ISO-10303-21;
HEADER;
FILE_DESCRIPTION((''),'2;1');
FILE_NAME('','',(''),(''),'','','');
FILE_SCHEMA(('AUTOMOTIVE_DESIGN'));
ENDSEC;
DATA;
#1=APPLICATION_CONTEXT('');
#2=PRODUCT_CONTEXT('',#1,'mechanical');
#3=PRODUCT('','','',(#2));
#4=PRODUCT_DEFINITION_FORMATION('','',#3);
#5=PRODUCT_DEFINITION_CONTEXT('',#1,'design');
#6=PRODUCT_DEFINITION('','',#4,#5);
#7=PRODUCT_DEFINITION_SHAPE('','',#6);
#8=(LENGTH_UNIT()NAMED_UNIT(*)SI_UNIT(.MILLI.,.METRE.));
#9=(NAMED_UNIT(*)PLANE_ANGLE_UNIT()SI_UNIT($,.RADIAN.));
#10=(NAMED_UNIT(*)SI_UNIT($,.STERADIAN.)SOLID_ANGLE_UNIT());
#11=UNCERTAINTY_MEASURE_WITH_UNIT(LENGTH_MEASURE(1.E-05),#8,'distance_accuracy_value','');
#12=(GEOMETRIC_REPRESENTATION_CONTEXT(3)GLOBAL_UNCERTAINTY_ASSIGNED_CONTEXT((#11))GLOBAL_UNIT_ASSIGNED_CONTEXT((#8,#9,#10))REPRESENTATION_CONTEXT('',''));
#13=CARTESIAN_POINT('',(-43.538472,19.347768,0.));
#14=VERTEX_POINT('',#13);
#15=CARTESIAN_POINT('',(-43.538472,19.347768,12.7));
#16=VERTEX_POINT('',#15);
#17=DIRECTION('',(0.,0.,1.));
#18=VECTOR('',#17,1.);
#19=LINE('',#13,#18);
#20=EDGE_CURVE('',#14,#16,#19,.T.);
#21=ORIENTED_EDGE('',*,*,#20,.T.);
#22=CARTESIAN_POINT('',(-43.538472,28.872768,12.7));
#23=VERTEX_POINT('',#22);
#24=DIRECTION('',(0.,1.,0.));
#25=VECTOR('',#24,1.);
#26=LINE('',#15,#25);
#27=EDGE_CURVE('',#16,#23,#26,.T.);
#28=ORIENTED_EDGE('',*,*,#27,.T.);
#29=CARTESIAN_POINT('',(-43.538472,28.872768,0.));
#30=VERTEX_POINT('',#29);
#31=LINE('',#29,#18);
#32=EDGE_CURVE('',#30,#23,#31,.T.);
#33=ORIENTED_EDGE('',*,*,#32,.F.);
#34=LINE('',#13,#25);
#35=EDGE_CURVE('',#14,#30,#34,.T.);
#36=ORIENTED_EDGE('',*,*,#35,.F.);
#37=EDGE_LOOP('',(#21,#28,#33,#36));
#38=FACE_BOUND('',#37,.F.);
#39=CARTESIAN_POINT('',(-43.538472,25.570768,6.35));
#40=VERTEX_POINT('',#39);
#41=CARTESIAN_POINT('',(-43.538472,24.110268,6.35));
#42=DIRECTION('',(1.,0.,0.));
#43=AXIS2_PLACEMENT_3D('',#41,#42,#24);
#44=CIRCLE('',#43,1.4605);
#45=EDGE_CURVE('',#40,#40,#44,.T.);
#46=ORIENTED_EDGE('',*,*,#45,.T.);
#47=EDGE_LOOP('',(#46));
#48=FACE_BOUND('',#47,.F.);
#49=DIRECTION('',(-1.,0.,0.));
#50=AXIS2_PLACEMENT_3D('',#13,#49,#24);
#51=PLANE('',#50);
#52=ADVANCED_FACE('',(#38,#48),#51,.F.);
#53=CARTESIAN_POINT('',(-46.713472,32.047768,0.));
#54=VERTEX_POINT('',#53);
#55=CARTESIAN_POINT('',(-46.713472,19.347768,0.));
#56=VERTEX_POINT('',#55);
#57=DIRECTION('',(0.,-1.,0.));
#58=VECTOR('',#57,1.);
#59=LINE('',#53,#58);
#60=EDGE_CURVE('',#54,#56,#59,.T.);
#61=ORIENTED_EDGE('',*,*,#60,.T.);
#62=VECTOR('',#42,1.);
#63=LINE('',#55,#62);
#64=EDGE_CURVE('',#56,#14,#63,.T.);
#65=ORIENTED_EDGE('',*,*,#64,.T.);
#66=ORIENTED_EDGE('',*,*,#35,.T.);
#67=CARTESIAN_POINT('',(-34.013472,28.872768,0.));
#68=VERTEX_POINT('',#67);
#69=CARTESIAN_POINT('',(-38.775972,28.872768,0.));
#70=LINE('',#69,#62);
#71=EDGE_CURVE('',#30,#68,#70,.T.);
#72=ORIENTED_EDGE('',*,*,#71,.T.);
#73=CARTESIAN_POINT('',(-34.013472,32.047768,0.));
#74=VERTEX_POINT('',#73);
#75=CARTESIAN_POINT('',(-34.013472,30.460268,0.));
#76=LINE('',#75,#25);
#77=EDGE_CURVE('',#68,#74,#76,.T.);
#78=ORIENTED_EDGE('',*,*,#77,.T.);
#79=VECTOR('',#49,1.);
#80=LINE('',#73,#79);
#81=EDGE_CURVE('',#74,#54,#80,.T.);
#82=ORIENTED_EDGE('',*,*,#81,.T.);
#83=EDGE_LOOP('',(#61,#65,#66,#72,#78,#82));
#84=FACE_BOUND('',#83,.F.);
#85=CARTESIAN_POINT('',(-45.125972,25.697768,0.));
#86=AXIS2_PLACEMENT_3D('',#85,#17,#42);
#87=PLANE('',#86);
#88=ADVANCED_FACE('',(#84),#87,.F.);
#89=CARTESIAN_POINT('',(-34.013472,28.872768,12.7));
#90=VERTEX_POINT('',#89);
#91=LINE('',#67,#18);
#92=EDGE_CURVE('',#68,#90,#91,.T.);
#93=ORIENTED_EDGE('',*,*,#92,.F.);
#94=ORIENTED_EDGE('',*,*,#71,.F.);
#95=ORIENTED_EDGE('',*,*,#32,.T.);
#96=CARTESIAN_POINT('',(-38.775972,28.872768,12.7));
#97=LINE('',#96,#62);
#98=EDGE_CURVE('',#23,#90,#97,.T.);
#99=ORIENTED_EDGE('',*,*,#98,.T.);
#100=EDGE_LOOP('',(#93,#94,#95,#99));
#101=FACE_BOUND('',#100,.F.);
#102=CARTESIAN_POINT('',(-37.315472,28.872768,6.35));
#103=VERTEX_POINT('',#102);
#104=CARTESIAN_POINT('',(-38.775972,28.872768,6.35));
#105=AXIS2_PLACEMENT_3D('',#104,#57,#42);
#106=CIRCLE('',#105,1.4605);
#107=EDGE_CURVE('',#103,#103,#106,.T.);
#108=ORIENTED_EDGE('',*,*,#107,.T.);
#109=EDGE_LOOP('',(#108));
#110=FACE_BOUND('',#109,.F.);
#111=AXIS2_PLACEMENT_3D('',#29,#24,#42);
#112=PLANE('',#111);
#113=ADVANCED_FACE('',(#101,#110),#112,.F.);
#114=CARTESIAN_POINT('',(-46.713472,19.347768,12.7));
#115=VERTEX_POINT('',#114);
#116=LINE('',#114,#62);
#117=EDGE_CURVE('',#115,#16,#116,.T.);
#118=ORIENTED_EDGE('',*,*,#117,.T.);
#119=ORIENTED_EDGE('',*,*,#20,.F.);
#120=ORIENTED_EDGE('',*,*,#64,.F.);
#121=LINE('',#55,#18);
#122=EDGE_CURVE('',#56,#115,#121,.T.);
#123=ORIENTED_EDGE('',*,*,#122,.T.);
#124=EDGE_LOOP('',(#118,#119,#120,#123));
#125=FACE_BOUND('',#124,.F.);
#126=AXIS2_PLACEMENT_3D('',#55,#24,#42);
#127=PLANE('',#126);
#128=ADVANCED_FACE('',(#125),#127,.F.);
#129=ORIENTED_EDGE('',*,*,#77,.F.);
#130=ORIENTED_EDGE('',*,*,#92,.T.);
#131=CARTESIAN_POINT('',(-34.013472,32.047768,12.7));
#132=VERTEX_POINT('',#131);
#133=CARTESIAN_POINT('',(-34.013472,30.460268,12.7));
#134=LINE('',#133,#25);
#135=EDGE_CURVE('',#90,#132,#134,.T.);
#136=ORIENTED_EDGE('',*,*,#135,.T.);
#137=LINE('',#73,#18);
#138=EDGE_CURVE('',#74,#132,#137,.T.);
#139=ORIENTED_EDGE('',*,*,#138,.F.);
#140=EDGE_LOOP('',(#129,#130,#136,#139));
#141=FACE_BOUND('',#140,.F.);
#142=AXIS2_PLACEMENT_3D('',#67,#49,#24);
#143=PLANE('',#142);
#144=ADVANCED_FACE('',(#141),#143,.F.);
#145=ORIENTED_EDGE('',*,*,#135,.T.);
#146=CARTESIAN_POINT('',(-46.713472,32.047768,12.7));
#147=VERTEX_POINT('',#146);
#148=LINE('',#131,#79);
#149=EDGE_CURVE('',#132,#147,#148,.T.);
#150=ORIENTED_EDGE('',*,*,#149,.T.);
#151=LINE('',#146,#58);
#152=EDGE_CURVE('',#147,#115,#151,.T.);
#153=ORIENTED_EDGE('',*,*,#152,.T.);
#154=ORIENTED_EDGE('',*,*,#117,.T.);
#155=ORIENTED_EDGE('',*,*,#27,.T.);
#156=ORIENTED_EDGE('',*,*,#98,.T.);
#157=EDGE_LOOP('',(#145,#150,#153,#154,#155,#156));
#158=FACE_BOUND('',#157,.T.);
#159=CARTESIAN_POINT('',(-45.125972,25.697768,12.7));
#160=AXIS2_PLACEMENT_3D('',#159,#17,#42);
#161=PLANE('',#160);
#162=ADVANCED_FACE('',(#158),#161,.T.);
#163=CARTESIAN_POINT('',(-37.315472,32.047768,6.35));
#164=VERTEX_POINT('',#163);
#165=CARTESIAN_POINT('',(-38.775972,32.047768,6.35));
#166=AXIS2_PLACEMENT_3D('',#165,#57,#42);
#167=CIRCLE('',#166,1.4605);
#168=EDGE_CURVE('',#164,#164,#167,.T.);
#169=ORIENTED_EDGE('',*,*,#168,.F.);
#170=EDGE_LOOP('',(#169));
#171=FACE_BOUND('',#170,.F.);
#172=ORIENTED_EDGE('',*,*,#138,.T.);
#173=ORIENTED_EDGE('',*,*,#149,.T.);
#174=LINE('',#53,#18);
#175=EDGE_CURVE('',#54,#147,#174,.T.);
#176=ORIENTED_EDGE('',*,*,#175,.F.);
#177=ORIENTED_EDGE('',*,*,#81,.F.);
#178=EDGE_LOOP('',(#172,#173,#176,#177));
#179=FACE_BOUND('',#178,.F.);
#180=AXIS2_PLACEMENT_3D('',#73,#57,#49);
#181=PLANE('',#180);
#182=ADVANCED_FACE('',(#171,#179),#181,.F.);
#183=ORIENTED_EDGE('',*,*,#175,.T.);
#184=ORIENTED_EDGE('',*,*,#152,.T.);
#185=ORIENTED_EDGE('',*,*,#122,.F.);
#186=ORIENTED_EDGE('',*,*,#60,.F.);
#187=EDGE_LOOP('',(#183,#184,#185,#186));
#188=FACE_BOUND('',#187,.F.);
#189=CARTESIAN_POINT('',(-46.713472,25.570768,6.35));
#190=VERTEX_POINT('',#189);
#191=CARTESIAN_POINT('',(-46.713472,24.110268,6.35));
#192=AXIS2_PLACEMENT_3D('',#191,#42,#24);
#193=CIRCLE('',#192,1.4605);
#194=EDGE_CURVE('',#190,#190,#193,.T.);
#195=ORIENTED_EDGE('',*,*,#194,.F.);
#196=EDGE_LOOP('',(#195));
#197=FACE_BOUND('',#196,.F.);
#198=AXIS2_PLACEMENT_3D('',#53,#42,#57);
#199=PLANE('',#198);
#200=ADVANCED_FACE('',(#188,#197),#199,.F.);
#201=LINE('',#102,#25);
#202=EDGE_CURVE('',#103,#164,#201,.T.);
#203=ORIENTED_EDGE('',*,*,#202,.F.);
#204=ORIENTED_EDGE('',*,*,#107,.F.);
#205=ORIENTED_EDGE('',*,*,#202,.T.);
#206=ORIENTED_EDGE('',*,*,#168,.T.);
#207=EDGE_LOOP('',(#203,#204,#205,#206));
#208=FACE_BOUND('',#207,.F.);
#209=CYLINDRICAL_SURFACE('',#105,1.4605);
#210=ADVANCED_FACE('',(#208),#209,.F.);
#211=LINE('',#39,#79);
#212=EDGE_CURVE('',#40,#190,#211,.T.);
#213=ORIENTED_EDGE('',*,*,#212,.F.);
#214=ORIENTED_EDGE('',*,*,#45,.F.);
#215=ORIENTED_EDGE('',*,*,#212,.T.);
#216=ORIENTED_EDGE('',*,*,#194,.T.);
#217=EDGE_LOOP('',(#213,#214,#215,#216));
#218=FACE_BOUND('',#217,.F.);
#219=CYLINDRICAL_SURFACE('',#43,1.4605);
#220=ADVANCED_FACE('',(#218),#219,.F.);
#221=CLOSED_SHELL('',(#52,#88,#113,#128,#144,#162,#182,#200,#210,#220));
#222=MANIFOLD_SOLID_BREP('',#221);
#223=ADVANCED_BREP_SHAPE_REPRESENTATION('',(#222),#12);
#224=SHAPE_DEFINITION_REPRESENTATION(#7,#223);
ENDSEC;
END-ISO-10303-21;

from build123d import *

# Parameters (mm, degrees)
F0_W     = 9.525
F0_H     = 3.175
F1_DEPTH = 12.7
F2_R     = 1.4605
F4_DEPTH = 25.4
F3_R     = 1.4605
F5_DEPTH = 25.4


with BuildPart() as f1:
    # F0 (on Top) → F1 (new body)
    with BuildSketch(Plane.XY):
        Polygon((-46.713472, 32.047768), (-46.713472, 19.347768), (-43.538472, 19.347768), (-43.538472, 28.872768), (-43.538472, 32.047768), align=None)
        with Locations((-38.775972, 30.460268)):
            Rectangle(F0_W, F0_H)
    extrude(amount=F1_DEPTH)

    # F2 (on face) → F4 (cut)
    with BuildSketch(Plane.XZ.offset(-28.872768)):
        with Locations((-38.775972, 6.35)):
            Circle(F2_R)
    extrude(amount=-F4_DEPTH, mode=Mode.SUBTRACT)

    # F3 (on face) → F5 (cut)
    with BuildSketch(Plane.YZ.offset(-43.538472)):
        with Locations((24.110268, 6.35)):
            Circle(F3_R)
    extrude(amount=-F5_DEPTH, mode=Mode.SUBTRACT)


solid = f1.part
